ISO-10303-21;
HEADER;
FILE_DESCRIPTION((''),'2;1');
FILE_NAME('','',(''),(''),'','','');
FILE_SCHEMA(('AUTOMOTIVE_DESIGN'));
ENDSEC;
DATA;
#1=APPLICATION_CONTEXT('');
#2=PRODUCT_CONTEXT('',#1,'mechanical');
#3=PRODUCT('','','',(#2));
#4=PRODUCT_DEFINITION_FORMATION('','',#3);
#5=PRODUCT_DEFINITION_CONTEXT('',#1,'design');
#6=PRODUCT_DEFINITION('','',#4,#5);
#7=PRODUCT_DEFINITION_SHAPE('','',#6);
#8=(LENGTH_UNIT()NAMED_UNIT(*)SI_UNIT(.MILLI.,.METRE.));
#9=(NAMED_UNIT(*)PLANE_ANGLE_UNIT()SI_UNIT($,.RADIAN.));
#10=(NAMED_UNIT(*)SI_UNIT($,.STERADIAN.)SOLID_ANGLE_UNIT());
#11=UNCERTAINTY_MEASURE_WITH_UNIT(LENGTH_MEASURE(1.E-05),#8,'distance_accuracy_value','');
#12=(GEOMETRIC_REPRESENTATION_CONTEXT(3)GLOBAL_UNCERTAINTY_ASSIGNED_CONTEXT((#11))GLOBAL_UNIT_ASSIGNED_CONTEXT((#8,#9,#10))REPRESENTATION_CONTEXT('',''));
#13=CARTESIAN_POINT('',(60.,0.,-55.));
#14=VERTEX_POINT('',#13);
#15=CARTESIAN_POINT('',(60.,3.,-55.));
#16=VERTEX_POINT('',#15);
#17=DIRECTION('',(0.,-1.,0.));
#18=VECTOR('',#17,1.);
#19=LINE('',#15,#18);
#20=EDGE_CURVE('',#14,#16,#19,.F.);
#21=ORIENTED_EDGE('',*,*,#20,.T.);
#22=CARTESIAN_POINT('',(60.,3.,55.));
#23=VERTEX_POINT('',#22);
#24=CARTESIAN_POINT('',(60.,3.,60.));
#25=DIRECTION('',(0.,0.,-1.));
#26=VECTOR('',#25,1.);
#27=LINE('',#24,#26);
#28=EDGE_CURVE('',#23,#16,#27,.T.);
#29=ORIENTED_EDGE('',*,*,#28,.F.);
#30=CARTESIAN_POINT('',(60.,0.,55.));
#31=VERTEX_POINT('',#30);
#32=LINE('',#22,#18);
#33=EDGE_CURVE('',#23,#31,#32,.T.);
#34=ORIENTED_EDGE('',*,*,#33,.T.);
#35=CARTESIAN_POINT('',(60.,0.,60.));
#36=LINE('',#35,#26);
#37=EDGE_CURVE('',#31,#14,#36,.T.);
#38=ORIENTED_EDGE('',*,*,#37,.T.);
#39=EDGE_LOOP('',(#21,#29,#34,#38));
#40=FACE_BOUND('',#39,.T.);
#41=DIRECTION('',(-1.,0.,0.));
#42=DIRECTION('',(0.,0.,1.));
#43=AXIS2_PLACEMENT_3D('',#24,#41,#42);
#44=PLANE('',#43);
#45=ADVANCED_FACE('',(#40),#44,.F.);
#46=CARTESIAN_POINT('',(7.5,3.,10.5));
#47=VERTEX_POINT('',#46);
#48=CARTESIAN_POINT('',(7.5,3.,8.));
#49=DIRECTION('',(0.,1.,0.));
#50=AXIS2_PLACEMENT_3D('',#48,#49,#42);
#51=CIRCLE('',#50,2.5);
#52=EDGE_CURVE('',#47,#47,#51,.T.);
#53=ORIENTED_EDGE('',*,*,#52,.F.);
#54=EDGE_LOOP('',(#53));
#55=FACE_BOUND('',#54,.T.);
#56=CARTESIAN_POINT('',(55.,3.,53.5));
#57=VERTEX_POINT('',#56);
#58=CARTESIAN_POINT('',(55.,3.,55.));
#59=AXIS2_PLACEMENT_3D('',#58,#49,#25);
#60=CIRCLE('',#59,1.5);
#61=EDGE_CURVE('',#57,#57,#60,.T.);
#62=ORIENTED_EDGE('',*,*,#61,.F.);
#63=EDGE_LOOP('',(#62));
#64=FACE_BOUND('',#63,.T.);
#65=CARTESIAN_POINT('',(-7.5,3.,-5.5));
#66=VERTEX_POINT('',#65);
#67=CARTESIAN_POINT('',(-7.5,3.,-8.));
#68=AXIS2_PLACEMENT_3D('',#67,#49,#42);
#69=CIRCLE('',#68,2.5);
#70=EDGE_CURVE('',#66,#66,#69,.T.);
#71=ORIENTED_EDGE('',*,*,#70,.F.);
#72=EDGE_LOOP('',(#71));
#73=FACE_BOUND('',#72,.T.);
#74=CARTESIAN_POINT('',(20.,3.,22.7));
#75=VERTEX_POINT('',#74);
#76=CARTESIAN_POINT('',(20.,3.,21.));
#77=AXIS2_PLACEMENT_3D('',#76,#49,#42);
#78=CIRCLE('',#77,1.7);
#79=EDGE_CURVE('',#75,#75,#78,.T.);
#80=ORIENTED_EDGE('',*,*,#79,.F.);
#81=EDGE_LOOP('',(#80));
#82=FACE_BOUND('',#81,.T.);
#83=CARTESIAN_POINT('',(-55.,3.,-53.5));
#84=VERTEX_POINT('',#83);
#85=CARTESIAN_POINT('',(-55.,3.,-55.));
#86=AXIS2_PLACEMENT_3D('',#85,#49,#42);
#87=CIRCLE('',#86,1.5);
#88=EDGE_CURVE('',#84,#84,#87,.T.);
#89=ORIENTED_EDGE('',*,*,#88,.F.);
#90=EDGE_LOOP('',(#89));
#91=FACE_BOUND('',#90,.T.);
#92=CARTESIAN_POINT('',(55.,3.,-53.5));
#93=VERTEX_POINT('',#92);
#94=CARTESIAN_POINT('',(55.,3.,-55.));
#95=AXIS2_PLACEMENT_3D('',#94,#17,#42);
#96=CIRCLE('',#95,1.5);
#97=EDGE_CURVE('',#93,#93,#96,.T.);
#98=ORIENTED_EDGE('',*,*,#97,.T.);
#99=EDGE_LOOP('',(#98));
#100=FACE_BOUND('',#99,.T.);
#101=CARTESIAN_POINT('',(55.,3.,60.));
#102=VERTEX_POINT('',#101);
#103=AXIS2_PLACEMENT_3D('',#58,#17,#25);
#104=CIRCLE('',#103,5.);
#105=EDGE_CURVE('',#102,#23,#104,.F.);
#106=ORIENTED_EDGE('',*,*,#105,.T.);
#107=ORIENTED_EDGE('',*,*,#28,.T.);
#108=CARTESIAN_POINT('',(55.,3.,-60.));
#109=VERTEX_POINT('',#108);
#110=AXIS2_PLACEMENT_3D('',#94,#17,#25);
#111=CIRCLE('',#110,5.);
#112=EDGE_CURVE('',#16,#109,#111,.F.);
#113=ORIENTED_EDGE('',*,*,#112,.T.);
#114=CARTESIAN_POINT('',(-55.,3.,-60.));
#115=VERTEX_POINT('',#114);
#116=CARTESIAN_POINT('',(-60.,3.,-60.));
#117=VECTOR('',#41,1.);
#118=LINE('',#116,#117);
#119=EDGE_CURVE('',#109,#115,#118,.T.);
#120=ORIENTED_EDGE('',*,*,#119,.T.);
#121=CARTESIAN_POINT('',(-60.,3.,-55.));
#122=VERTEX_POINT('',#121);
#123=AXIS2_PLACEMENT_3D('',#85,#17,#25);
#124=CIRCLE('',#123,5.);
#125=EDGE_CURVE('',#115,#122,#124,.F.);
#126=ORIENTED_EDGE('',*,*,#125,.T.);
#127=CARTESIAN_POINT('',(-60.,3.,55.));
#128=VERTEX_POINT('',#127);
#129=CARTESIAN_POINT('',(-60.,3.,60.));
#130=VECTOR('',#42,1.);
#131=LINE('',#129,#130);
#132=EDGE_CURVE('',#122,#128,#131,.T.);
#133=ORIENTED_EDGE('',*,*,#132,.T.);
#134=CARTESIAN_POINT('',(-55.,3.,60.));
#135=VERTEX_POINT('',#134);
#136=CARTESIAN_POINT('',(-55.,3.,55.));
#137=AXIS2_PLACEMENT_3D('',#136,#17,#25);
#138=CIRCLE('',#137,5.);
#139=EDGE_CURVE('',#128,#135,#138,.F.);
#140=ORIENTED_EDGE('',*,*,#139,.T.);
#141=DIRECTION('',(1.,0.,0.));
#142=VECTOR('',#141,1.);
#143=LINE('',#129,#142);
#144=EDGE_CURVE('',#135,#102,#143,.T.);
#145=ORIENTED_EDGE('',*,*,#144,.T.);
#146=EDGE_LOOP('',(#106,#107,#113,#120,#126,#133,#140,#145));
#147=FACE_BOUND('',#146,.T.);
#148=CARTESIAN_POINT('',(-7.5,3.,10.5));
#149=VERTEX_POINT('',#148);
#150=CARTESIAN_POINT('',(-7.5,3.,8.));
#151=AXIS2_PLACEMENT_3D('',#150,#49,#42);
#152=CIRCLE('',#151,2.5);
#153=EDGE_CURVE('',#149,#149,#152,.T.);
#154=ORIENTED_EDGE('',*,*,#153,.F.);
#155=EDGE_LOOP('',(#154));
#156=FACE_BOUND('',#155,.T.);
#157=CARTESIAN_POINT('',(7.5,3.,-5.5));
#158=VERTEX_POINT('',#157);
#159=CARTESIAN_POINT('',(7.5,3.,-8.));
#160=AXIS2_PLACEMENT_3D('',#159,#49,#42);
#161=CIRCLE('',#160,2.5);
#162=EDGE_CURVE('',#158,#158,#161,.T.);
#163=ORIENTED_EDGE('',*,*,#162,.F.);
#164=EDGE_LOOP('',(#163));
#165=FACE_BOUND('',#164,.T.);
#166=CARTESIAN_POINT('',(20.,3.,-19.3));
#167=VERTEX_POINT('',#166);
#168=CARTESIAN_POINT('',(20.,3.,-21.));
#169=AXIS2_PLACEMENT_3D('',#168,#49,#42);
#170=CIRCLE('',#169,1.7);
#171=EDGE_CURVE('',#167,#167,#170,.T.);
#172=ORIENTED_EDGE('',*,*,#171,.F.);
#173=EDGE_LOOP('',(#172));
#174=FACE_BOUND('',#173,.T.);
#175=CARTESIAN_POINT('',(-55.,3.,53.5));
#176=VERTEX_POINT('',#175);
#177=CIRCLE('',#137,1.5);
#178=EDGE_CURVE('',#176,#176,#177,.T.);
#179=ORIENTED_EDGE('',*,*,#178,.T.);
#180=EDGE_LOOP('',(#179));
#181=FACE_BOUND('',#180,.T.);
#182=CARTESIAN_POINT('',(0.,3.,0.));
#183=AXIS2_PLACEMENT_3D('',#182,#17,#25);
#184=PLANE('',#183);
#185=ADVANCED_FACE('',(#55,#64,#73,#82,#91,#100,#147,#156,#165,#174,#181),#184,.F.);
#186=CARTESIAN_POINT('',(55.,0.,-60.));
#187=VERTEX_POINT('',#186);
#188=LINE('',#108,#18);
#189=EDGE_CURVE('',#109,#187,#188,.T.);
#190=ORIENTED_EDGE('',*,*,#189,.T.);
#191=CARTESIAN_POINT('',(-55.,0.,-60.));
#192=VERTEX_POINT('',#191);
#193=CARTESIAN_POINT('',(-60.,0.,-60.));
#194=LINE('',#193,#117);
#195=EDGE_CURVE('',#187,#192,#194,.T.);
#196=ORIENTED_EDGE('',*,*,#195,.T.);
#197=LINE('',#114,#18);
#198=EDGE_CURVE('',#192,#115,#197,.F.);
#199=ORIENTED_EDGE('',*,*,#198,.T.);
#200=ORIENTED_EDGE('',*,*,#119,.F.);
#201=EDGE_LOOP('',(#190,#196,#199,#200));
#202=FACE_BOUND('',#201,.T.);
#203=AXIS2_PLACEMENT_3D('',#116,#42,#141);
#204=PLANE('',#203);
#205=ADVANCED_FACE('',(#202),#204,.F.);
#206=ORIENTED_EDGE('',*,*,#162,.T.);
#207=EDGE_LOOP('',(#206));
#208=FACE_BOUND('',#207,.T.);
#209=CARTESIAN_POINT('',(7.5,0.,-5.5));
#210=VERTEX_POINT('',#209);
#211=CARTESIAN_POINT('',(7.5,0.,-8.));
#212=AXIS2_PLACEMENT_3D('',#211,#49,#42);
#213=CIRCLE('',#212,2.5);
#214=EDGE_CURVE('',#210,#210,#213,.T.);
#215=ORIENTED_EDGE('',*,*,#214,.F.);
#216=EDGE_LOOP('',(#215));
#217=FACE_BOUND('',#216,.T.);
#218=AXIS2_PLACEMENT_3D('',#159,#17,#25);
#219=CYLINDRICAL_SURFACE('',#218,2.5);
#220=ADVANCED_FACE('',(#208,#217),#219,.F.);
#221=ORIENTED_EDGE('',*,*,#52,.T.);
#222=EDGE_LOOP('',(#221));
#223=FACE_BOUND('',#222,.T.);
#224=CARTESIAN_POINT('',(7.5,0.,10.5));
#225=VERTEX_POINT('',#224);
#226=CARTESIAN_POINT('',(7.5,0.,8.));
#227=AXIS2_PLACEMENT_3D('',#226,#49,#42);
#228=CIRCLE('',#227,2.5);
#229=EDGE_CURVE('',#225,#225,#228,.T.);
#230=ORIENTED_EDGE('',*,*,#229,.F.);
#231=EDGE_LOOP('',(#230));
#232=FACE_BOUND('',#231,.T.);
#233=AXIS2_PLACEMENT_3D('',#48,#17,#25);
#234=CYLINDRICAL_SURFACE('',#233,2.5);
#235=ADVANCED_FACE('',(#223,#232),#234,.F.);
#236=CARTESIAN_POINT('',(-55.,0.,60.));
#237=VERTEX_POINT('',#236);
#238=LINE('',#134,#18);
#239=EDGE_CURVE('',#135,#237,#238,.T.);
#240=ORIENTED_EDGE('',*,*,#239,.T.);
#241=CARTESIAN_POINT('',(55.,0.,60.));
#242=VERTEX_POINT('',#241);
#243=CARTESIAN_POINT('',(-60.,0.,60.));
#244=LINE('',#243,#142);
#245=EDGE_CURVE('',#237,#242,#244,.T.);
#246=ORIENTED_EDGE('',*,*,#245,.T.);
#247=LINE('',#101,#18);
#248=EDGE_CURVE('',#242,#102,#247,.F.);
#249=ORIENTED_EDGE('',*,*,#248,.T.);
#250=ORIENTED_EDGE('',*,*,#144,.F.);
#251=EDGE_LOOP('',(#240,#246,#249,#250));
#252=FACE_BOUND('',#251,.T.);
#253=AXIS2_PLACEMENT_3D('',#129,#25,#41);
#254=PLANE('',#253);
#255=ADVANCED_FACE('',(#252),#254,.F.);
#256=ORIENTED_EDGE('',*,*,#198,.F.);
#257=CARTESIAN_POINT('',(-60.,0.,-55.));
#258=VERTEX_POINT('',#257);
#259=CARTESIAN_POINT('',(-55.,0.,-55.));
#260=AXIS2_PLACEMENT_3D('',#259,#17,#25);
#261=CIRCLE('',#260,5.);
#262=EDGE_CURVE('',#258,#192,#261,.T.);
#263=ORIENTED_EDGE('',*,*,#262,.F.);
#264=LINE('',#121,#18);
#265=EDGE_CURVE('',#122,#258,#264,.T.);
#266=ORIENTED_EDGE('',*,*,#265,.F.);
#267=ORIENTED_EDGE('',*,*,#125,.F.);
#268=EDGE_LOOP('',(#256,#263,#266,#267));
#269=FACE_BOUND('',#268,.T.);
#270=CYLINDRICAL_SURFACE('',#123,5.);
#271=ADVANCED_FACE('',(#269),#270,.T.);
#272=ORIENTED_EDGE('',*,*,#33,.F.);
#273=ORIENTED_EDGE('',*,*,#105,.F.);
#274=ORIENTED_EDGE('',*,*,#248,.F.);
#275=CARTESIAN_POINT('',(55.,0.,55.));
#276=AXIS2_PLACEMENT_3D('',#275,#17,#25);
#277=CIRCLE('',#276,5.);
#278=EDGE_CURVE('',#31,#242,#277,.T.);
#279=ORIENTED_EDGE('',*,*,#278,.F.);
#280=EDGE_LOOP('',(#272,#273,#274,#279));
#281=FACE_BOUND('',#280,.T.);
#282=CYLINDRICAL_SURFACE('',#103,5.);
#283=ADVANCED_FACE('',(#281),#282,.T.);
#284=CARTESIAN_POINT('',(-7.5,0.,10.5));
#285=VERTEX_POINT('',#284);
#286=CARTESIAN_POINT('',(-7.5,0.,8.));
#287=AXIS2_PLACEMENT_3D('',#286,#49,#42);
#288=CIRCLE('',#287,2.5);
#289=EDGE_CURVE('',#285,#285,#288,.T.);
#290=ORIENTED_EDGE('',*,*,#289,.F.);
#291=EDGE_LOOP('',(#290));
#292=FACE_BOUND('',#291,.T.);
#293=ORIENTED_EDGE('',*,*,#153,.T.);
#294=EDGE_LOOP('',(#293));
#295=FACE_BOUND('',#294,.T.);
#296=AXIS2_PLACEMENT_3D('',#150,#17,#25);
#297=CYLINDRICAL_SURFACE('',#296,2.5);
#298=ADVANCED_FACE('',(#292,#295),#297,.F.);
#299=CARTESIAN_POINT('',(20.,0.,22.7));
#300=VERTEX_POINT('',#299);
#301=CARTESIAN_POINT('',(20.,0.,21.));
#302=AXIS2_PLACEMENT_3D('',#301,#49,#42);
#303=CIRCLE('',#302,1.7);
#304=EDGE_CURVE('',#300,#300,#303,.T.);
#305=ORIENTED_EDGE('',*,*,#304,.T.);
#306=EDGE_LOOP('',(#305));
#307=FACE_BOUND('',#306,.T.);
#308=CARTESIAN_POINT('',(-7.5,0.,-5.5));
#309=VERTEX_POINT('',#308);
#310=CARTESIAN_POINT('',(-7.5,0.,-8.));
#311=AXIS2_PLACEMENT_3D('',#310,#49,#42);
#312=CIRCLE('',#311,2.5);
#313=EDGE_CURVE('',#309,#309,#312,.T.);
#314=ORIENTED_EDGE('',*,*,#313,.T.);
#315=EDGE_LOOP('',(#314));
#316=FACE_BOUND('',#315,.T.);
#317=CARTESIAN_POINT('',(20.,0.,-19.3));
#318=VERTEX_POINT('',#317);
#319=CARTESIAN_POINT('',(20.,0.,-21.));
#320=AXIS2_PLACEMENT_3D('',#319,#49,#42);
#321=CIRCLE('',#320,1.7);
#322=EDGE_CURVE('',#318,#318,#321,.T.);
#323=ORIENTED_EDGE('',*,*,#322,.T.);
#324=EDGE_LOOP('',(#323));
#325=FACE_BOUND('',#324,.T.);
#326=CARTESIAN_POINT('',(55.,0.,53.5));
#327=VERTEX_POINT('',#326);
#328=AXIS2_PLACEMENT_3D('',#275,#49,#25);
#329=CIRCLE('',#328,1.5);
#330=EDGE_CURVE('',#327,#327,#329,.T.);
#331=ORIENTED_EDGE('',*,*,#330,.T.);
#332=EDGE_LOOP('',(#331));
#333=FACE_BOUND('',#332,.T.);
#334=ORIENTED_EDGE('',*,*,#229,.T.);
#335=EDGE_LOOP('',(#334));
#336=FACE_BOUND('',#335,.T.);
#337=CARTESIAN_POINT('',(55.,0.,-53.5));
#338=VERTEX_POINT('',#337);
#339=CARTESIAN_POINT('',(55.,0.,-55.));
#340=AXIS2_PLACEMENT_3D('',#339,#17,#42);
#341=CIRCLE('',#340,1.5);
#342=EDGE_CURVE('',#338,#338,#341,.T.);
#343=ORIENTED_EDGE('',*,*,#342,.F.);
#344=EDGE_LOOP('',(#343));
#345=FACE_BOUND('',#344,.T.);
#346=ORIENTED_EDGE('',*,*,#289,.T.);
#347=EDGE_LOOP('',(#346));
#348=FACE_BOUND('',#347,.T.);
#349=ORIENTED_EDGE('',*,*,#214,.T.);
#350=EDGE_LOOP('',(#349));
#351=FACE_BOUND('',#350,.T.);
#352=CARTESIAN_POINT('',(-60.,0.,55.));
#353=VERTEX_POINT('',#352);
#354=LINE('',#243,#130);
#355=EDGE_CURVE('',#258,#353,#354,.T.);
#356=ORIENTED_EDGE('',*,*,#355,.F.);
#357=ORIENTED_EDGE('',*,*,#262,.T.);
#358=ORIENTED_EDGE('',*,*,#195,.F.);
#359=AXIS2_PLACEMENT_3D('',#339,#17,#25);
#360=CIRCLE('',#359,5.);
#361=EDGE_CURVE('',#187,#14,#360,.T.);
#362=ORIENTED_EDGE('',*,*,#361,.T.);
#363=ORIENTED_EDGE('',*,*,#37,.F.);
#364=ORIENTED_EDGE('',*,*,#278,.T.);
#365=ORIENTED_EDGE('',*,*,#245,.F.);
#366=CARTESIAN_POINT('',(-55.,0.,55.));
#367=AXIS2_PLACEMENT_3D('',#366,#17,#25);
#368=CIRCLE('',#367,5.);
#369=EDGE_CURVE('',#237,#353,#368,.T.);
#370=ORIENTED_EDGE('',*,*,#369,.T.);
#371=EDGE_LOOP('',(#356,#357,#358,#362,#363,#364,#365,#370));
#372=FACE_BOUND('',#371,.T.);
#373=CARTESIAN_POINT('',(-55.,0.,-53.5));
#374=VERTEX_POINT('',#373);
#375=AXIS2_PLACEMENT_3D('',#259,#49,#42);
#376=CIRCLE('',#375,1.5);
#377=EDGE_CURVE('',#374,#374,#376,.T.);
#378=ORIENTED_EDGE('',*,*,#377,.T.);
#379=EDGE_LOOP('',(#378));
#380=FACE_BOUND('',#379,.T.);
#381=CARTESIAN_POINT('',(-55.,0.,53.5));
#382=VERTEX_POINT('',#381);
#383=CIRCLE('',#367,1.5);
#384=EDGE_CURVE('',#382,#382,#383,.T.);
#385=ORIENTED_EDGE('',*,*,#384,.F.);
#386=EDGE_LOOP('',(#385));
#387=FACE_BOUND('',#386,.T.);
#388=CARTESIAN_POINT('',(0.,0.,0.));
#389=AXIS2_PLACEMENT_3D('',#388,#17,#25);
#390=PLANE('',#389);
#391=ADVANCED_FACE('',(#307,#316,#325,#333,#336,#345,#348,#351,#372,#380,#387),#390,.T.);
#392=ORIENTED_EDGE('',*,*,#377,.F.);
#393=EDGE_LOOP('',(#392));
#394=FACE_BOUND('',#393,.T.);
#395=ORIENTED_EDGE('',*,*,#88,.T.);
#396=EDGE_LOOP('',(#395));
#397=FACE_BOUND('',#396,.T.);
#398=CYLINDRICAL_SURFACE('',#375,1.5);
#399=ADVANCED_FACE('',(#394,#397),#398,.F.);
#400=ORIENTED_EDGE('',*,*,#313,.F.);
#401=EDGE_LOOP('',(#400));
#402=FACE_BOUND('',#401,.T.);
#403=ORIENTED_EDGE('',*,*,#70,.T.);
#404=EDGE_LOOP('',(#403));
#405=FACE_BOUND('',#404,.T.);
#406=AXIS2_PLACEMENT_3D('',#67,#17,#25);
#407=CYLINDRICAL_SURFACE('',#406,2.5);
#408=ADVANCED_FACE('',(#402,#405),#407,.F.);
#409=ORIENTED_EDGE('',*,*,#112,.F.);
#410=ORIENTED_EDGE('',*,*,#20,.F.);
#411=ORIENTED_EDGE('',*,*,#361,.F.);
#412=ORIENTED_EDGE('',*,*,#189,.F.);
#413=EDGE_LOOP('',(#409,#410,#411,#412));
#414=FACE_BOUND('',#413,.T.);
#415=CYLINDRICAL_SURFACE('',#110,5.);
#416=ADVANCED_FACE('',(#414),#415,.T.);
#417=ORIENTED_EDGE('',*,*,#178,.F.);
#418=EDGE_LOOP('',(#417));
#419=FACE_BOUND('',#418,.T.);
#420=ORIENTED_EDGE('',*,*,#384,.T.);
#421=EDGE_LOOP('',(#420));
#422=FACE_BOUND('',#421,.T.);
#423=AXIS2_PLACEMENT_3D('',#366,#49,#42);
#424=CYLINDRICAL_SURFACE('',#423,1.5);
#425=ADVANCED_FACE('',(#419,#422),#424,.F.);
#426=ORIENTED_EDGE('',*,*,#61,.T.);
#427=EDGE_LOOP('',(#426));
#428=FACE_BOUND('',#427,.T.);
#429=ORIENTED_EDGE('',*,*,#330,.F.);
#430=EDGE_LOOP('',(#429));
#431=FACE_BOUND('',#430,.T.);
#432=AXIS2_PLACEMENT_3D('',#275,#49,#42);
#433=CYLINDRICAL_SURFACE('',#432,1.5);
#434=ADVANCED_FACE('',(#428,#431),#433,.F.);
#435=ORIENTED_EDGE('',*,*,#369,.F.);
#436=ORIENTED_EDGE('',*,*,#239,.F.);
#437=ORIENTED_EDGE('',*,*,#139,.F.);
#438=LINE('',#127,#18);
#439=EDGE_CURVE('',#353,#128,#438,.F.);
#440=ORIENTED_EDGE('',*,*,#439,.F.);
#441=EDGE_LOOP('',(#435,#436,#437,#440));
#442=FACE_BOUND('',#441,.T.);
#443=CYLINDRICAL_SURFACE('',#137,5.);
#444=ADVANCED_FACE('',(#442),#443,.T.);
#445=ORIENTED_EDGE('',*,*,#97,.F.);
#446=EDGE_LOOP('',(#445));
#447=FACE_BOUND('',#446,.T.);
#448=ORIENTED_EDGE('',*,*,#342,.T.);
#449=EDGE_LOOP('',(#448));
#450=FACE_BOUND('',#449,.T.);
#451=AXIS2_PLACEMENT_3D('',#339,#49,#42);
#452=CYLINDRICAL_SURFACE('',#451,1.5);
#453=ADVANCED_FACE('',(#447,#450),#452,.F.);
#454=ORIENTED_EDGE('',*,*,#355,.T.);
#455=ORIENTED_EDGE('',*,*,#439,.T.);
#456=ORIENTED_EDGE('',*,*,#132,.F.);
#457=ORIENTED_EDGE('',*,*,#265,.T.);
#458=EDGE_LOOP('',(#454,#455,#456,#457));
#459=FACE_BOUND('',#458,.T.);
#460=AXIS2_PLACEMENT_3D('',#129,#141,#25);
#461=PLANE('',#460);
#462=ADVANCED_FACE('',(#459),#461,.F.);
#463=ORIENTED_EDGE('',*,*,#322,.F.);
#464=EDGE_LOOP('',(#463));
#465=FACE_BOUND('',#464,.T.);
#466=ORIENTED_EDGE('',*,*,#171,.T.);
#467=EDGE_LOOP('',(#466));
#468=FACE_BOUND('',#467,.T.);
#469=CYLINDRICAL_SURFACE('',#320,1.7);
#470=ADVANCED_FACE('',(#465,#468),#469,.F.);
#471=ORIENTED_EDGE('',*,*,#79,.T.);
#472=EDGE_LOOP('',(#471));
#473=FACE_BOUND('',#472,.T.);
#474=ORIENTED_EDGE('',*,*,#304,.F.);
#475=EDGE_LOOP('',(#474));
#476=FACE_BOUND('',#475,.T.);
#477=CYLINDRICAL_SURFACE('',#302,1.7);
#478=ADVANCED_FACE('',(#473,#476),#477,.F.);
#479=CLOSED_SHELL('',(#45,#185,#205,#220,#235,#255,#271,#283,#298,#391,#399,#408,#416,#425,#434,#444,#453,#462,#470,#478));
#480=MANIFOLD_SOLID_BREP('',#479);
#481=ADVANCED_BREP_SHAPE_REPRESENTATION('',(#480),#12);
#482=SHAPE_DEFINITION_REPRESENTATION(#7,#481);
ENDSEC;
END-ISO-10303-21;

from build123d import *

# Parameters (mm, degrees)
SKETCH1_W                                  = 120
SKETCH1_H                                  = 120
SKETCH1_R                                  = 2.5
BOSS_EXTRUDE1_DEPTH                        = 3
FILLET1_R                                  = 5
SKETCH2_R                                  = 1.5
CUT_EXTRUDE1_DEPTH                         = 85.905830189
MIRROR3_AT_THE_SECOND_PLANE_COPY_1_SKETC_R = 1.5
MIRROR3_AT_THE_SECOND_PLANE_COPY_1_DEPTH   = 85.905830189
SKETCH3_R                                  = 1.7
CUT_EXTRUDE2_DEPTH                         = 85.905830189


with BuildPart() as part:
    # Sketch1 → Boss-Extrude1 (new body)
    with BuildSketch(Plane(origin=(0, 0, 0), x_dir=(1, 0, 0), z_dir=(0, 1, 0))):
        Rectangle(SKETCH1_W, SKETCH1_H)
        with Locations(Location((-7.5, -8, 0), (0, 0, 270))):
            Circle(SKETCH1_R, mode=Mode.SUBTRACT)
        with Locations(Location((7.5, 8, 0), (0, 0, 270))):
            Circle(SKETCH1_R, mode=Mode.SUBTRACT)
        with Locations(Location((7.5, -8, 0), (0, 0, 270))):
            Circle(SKETCH1_R, mode=Mode.SUBTRACT)
        with Locations(Location((-7.5, 8, 0), (0, 0, 270))):
            Circle(SKETCH1_R, mode=Mode.SUBTRACT)
    extrude(amount=BOSS_EXTRUDE1_DEPTH)

    # Fillet1
    fillet1_edges = [part.edges().sort_by_distance(p)[0] for p in [
        (60, 1.5, 60),
        (-60, 1.5, 60),
        (-60, 1.5, -60),
        (60, 1.5, -60),
    ]]
    fillet(fillet1_edges, radius=FILLET1_R)

    # Sketch2 → Cut-Extrude1 (cut, through all)
    with BuildSketch(Plane(origin=(0, 3, 0), x_dir=(1, 0, 0), z_dir=(0, 1, 0))):
        with Locations(Location((-55, 55, 0), (0, 0, 270))):
            Circle(SKETCH2_R)
    cut_extrude1 = extrude(amount=-CUT_EXTRUDE1_DEPTH, mode=Mode.SUBTRACT)

    # Mirror3: Cut-Extrude1 across plane
    add(cut_extrude1.mirror(Plane.XY), mode=Mode.SUBTRACT)

    # Mirror3 at the second plane: Cut-Extrude1 across plane
    add(cut_extrude1.mirror(Plane(origin=(0, 0, 0), x_dir=(0, 0, 1), z_dir=(1, 0, 0))), mode=Mode.SUBTRACT)

    # Mirror3 at the second plane copy 1 sketc → Mirror3 at the second plane copy 1 (cut, through all)
    with BuildSketch(Plane(origin=(0, 3, 0), x_dir=(-1, 0, 0), z_dir=(0, 1, 0))):
        with Locations(Location((-55, 55, 0), (0, 0, 270))):
            Circle(MIRROR3_AT_THE_SECOND_PLANE_COPY_1_SKETC_R)
    extrude(amount=-MIRROR3_AT_THE_SECOND_PLANE_COPY_1_DEPTH, mode=Mode.SUBTRACT)

    # Sketch3 → Cut-Extrude2 (cut, through all)
    with BuildSketch(Plane(origin=(0, 3, 0), x_dir=(1, 0, 0), z_dir=(0, 1, 0))):
        with Locations(Location((20, 21, 0), (0, 0, 270))):
            Circle(SKETCH3_R)
        with Locations(Location((20, -21, 0), (0, 0, 270))):
            Circle(SKETCH3_R)
    extrude(amount=-CUT_EXTRUDE2_DEPTH, mode=Mode.SUBTRACT)


solid = part.part
